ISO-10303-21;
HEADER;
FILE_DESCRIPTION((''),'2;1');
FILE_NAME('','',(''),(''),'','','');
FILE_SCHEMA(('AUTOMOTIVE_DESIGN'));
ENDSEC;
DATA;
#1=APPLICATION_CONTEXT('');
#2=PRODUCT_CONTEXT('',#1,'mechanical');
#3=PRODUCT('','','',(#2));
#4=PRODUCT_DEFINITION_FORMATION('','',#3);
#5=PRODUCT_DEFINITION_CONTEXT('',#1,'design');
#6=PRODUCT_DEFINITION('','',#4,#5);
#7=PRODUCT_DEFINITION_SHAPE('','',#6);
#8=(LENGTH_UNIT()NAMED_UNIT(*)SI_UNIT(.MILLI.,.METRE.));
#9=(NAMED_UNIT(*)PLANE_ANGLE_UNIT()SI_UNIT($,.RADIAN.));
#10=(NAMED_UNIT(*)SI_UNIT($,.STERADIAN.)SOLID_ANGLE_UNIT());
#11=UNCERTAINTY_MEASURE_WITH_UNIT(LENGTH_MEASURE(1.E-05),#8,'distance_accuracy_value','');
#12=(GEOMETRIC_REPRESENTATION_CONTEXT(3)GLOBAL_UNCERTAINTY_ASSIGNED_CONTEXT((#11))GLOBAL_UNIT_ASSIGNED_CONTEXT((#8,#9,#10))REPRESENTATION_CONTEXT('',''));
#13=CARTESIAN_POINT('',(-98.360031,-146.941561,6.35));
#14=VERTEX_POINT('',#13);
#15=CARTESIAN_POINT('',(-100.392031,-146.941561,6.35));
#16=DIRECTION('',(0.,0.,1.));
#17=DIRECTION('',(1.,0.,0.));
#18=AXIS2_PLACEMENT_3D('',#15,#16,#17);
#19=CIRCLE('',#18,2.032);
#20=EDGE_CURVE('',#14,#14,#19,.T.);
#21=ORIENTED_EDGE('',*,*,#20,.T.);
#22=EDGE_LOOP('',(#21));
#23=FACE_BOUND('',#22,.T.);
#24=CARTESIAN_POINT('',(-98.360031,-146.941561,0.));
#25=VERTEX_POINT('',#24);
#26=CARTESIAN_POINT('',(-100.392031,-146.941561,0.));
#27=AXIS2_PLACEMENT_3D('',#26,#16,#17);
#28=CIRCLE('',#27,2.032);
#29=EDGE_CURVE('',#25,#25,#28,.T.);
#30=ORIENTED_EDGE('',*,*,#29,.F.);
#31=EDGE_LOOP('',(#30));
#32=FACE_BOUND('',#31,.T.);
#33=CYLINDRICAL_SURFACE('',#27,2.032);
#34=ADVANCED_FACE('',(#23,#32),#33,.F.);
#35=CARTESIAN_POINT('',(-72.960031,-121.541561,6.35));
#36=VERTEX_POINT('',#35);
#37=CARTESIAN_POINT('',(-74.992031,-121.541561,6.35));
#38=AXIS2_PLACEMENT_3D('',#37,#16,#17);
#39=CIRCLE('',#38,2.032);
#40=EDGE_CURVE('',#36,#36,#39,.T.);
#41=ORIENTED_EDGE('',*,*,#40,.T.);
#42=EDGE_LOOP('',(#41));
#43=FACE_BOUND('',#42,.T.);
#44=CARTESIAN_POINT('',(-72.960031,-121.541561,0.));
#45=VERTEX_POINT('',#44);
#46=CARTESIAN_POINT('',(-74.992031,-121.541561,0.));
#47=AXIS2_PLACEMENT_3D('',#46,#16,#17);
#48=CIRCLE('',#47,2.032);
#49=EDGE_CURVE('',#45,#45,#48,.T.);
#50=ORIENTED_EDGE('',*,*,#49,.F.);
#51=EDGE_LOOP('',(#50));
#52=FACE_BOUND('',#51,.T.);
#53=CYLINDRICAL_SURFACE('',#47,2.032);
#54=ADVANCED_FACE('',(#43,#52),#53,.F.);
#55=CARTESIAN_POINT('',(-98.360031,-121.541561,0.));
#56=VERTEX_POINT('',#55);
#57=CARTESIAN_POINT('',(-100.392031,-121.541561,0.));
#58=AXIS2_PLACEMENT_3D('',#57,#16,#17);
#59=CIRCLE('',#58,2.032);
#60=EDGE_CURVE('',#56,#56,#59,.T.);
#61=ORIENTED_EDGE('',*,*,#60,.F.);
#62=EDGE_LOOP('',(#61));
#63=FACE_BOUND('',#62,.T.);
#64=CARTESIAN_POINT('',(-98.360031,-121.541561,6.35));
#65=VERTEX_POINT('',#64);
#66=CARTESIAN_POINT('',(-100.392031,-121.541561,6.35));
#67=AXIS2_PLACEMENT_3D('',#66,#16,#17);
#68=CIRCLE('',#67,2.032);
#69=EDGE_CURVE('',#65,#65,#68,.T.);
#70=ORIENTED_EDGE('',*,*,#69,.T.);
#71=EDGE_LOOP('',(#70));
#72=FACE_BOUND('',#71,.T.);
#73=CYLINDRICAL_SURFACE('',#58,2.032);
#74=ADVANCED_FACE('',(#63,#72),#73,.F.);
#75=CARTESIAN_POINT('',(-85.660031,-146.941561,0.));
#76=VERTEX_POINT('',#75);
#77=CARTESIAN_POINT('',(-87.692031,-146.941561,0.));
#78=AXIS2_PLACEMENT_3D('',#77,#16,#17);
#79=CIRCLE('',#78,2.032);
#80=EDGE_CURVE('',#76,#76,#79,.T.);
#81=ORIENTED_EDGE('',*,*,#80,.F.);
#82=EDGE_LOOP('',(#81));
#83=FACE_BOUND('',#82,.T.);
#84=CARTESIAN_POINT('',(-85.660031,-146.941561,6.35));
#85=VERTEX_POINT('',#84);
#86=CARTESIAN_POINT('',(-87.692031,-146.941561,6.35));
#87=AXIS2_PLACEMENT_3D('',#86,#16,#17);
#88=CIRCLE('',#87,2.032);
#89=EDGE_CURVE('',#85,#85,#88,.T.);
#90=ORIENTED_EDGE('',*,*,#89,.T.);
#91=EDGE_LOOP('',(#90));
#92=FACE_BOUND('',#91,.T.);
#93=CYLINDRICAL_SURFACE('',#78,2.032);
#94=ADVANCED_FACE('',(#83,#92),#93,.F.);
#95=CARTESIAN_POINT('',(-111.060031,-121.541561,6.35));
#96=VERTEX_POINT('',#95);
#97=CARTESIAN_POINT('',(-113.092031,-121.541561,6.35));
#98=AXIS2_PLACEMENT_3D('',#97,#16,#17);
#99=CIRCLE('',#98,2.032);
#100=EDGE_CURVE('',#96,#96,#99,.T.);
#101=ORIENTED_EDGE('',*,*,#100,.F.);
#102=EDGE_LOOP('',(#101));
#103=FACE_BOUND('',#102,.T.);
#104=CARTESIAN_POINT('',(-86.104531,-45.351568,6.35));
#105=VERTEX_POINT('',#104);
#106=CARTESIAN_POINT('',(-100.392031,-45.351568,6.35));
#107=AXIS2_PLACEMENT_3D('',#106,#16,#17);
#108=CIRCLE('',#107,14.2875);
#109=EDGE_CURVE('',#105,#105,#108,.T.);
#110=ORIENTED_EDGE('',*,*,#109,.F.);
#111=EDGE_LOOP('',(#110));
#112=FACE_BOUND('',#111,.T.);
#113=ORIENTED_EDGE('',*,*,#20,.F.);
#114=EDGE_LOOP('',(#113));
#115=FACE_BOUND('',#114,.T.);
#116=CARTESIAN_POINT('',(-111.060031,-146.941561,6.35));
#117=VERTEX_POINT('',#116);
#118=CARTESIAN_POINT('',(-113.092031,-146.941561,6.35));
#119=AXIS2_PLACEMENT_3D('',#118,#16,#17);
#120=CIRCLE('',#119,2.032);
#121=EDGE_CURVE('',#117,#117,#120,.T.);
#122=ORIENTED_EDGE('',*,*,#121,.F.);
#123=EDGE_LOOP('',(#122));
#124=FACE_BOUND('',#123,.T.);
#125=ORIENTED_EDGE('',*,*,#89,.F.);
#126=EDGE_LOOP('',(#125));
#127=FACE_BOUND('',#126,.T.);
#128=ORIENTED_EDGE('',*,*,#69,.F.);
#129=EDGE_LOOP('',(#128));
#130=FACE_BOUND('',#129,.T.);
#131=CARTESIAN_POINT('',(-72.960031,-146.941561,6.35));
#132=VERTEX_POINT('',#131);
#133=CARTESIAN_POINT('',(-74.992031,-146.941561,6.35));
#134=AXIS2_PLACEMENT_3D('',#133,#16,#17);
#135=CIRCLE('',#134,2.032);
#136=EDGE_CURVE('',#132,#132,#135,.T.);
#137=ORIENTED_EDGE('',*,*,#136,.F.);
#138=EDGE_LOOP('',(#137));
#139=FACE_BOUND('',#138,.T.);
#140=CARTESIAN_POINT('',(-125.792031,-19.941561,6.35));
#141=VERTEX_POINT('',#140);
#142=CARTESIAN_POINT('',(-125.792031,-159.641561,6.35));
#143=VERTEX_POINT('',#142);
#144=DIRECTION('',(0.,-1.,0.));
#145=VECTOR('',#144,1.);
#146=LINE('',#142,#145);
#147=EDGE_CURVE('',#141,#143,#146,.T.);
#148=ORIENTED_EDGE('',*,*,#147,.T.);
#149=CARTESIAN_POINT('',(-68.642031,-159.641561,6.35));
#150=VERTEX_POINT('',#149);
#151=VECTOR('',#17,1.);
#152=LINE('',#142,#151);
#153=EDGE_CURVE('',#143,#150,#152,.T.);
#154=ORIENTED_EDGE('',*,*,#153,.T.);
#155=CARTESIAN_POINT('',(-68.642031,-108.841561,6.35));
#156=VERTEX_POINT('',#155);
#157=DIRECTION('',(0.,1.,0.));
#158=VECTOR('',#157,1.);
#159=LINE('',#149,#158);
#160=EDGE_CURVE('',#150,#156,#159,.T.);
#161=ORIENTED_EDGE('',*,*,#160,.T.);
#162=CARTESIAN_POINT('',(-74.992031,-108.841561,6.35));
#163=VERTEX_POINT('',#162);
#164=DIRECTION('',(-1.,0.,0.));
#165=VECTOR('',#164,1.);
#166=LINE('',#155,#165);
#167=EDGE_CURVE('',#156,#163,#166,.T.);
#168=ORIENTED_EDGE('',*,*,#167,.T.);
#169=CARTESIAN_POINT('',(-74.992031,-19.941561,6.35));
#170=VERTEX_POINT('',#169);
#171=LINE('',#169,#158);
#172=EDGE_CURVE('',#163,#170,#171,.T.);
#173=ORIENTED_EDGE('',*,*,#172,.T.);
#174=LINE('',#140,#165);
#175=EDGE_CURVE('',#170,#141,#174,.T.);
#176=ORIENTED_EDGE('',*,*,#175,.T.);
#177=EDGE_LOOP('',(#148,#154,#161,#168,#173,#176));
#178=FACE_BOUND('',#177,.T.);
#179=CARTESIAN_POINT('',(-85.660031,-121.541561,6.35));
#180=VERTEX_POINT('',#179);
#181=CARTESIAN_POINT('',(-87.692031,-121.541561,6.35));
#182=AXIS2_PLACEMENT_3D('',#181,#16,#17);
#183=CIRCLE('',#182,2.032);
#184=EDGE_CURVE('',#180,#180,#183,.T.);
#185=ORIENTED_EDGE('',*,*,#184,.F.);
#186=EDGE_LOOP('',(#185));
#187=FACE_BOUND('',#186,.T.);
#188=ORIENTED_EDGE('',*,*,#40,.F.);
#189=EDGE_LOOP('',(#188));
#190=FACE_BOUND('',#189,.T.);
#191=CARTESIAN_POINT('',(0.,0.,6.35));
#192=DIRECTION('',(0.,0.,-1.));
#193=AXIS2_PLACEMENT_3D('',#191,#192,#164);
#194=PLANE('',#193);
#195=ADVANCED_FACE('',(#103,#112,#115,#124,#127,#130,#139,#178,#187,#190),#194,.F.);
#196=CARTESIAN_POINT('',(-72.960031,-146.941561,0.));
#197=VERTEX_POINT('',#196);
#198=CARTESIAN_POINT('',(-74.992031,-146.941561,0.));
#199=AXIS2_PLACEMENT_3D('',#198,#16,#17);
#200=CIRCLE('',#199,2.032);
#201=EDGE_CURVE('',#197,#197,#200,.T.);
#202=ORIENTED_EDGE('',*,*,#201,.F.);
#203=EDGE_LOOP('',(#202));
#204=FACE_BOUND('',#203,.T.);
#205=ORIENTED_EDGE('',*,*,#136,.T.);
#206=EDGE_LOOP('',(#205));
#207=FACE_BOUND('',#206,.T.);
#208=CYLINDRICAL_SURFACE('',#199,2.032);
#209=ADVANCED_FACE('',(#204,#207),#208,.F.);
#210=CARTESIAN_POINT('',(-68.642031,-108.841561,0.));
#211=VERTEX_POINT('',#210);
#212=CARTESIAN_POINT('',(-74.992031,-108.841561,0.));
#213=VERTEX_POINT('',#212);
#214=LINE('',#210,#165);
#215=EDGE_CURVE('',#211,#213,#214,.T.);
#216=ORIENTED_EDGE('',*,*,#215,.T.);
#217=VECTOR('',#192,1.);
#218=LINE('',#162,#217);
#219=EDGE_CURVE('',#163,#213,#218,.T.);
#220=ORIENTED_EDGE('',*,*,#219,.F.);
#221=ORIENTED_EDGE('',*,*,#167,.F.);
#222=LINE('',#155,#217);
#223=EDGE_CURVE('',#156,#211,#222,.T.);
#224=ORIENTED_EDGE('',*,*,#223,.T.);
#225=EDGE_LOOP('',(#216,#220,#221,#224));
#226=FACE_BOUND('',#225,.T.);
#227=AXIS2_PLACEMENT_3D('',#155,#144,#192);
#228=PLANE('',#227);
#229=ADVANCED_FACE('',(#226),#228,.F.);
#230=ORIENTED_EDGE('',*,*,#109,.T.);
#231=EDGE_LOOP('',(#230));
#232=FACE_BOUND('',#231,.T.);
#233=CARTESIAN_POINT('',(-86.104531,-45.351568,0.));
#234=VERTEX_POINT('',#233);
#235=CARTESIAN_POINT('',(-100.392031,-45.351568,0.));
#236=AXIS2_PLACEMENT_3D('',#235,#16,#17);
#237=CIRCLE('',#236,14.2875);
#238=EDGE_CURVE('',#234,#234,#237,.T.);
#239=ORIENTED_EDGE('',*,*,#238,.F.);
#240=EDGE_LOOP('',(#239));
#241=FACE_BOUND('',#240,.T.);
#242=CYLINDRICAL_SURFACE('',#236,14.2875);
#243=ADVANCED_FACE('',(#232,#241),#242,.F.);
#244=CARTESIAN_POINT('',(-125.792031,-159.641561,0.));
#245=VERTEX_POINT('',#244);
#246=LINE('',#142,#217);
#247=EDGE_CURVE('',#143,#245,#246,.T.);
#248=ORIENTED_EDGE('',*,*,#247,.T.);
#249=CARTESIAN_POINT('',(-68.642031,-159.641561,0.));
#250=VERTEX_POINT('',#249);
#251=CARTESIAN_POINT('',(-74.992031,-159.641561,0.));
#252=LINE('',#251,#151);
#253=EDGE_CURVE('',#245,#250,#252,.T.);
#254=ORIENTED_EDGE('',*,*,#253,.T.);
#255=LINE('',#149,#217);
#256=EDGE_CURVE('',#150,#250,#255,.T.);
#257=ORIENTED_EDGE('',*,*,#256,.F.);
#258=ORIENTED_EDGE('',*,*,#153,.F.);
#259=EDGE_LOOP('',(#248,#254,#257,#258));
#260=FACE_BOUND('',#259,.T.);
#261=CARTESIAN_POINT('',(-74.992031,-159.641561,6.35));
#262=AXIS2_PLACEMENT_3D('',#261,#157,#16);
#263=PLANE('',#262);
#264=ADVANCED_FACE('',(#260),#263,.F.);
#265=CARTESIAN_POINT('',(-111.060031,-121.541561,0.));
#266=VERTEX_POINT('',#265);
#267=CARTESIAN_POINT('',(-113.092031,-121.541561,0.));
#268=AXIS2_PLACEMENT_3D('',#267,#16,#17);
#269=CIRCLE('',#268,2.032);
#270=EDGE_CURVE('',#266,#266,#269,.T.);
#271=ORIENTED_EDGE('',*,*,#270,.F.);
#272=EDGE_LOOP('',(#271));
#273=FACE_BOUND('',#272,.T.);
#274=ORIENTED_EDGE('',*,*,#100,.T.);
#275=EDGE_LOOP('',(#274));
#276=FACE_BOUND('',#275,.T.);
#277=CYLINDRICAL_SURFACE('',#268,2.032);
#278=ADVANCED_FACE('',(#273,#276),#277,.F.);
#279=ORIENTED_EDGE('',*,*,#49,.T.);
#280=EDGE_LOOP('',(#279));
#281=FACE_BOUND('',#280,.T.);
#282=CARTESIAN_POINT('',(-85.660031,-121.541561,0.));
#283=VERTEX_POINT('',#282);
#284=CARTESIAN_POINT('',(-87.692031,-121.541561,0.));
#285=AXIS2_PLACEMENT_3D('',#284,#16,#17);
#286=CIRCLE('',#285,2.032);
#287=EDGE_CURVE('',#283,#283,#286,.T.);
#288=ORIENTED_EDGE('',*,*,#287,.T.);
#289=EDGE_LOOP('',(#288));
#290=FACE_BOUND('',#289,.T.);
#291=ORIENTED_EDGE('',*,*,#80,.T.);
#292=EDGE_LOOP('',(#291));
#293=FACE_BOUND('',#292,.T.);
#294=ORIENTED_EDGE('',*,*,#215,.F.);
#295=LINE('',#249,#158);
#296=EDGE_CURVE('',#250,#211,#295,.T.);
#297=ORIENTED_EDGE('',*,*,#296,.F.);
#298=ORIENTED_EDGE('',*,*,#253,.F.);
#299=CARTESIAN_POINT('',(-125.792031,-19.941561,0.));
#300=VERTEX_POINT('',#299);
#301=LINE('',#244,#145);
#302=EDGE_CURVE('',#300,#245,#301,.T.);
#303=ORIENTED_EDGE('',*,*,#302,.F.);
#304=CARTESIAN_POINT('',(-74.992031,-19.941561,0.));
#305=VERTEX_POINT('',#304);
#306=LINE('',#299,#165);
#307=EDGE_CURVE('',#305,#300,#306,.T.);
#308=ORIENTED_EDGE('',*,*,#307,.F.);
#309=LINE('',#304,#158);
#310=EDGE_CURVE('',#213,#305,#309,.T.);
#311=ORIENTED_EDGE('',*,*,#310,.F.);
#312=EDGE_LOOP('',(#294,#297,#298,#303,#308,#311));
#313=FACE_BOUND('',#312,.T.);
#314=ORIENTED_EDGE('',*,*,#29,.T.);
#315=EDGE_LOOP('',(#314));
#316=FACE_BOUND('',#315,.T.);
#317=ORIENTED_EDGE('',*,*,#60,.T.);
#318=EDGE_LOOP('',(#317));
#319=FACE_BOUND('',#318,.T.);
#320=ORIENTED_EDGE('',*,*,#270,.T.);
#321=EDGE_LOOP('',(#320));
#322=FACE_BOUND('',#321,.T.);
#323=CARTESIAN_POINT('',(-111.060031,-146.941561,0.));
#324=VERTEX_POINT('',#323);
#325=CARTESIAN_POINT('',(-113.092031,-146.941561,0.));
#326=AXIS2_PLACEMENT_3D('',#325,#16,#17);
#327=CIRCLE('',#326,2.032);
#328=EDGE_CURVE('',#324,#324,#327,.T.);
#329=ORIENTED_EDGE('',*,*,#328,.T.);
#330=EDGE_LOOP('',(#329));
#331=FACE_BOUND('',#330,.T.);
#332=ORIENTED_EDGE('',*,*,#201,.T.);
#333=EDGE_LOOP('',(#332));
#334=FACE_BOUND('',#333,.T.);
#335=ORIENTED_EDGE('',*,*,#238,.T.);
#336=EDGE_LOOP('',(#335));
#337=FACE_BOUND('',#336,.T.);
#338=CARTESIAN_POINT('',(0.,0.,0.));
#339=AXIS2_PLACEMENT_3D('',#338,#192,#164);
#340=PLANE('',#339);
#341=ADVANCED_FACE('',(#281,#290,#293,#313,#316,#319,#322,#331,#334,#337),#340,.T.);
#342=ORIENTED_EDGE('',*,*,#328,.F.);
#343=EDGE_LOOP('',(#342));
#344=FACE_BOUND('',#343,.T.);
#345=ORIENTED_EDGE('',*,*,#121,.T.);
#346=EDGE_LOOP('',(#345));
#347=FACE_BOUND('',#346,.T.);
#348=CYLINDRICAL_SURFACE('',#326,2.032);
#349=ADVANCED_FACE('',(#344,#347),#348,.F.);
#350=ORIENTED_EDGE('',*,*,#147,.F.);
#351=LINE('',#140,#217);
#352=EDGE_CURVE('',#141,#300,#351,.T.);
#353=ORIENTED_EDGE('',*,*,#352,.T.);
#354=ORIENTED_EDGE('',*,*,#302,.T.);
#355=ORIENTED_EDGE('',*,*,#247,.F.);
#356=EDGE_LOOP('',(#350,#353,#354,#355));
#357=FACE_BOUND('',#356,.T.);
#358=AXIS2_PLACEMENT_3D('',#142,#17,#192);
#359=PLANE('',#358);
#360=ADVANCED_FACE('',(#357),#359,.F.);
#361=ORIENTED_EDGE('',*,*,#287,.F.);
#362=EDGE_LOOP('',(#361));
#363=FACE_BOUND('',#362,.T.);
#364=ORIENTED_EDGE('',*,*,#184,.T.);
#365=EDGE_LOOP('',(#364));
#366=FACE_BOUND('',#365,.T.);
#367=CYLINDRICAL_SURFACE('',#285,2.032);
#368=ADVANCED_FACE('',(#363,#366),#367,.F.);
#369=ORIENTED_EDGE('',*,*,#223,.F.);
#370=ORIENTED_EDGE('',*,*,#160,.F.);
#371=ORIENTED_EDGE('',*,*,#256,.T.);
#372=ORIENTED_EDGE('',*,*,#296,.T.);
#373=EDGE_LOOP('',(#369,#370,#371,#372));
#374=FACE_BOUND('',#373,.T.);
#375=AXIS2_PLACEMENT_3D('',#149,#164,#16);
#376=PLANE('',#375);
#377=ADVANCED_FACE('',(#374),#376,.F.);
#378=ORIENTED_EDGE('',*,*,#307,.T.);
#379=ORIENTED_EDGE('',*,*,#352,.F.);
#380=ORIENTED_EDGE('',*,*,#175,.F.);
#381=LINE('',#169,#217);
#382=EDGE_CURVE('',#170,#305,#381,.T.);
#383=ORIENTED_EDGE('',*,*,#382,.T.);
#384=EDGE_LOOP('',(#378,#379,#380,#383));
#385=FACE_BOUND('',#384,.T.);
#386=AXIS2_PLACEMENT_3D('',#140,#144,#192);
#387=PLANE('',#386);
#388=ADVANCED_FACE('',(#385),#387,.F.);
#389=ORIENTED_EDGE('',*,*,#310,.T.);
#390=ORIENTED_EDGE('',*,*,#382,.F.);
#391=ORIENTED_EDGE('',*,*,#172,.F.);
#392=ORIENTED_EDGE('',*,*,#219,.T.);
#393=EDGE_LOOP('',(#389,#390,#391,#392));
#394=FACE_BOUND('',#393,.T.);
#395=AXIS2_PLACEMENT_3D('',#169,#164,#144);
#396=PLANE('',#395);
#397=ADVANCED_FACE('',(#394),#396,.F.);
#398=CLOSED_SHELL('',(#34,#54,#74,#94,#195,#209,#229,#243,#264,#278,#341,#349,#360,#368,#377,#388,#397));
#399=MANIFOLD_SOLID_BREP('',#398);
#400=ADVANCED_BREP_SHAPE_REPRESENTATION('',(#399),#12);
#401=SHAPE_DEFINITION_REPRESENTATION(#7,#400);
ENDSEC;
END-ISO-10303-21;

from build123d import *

# Parameters (mm, degrees)
BOSS_EXTRUDE1_DEPTH = 6.35
SKETCH3_R           = 14.2875
SKETCH3_R_2         = 2.032
CUT_EXTRUDE1_DEPTH  = 6.35


with BuildPart() as part:
    # Sketch2 → Boss-Extrude1 (new body)
    with BuildSketch(Plane.XY):
        Polygon((-125.79203122, -159.641560721), (-74.99203122, -159.641560721), (-68.64203122, -159.641560721), (-68.64203122, -108.841560721), (-74.99203122, -108.841560721), (-74.99203122, -19.941560721), (-125.79203122, -19.941560721), align=None)
    extrude(amount=BOSS_EXTRUDE1_DEPTH)

    # Sketch3 → Cut-Extrude1 (cut)
    with BuildSketch(Plane.XY.offset(6.35)):
        with Locations((-100.39203122, -45.351567892)):
            Circle(SKETCH3_R)
        with Locations((-87.69203122, -146.941560721)):
            Circle(SKETCH3_R_2)
        with Locations((-113.09203122, -146.941560721)):
            Circle(SKETCH3_R_2)
        with Locations((-100.39203122, -146.941560721)):
            Circle(SKETCH3_R_2)
        with Locations((-74.99203122, -146.941560721)):
            Circle(SKETCH3_R_2)
        with Locations((-113.09203122, -121.541560721)):
            Circle(SKETCH3_R_2)
        with Locations((-87.69203122, -121.541560721)):
            Circle(SKETCH3_R_2)
        with Locations((-74.99203122, -121.541560721)):
            Circle(SKETCH3_R_2)
        with Locations((-100.39203122, -121.541560721)):
            Circle(SKETCH3_R_2)
    extrude(amount=-CUT_EXTRUDE1_DEPTH, mode=Mode.SUBTRACT)


solid = part.part
